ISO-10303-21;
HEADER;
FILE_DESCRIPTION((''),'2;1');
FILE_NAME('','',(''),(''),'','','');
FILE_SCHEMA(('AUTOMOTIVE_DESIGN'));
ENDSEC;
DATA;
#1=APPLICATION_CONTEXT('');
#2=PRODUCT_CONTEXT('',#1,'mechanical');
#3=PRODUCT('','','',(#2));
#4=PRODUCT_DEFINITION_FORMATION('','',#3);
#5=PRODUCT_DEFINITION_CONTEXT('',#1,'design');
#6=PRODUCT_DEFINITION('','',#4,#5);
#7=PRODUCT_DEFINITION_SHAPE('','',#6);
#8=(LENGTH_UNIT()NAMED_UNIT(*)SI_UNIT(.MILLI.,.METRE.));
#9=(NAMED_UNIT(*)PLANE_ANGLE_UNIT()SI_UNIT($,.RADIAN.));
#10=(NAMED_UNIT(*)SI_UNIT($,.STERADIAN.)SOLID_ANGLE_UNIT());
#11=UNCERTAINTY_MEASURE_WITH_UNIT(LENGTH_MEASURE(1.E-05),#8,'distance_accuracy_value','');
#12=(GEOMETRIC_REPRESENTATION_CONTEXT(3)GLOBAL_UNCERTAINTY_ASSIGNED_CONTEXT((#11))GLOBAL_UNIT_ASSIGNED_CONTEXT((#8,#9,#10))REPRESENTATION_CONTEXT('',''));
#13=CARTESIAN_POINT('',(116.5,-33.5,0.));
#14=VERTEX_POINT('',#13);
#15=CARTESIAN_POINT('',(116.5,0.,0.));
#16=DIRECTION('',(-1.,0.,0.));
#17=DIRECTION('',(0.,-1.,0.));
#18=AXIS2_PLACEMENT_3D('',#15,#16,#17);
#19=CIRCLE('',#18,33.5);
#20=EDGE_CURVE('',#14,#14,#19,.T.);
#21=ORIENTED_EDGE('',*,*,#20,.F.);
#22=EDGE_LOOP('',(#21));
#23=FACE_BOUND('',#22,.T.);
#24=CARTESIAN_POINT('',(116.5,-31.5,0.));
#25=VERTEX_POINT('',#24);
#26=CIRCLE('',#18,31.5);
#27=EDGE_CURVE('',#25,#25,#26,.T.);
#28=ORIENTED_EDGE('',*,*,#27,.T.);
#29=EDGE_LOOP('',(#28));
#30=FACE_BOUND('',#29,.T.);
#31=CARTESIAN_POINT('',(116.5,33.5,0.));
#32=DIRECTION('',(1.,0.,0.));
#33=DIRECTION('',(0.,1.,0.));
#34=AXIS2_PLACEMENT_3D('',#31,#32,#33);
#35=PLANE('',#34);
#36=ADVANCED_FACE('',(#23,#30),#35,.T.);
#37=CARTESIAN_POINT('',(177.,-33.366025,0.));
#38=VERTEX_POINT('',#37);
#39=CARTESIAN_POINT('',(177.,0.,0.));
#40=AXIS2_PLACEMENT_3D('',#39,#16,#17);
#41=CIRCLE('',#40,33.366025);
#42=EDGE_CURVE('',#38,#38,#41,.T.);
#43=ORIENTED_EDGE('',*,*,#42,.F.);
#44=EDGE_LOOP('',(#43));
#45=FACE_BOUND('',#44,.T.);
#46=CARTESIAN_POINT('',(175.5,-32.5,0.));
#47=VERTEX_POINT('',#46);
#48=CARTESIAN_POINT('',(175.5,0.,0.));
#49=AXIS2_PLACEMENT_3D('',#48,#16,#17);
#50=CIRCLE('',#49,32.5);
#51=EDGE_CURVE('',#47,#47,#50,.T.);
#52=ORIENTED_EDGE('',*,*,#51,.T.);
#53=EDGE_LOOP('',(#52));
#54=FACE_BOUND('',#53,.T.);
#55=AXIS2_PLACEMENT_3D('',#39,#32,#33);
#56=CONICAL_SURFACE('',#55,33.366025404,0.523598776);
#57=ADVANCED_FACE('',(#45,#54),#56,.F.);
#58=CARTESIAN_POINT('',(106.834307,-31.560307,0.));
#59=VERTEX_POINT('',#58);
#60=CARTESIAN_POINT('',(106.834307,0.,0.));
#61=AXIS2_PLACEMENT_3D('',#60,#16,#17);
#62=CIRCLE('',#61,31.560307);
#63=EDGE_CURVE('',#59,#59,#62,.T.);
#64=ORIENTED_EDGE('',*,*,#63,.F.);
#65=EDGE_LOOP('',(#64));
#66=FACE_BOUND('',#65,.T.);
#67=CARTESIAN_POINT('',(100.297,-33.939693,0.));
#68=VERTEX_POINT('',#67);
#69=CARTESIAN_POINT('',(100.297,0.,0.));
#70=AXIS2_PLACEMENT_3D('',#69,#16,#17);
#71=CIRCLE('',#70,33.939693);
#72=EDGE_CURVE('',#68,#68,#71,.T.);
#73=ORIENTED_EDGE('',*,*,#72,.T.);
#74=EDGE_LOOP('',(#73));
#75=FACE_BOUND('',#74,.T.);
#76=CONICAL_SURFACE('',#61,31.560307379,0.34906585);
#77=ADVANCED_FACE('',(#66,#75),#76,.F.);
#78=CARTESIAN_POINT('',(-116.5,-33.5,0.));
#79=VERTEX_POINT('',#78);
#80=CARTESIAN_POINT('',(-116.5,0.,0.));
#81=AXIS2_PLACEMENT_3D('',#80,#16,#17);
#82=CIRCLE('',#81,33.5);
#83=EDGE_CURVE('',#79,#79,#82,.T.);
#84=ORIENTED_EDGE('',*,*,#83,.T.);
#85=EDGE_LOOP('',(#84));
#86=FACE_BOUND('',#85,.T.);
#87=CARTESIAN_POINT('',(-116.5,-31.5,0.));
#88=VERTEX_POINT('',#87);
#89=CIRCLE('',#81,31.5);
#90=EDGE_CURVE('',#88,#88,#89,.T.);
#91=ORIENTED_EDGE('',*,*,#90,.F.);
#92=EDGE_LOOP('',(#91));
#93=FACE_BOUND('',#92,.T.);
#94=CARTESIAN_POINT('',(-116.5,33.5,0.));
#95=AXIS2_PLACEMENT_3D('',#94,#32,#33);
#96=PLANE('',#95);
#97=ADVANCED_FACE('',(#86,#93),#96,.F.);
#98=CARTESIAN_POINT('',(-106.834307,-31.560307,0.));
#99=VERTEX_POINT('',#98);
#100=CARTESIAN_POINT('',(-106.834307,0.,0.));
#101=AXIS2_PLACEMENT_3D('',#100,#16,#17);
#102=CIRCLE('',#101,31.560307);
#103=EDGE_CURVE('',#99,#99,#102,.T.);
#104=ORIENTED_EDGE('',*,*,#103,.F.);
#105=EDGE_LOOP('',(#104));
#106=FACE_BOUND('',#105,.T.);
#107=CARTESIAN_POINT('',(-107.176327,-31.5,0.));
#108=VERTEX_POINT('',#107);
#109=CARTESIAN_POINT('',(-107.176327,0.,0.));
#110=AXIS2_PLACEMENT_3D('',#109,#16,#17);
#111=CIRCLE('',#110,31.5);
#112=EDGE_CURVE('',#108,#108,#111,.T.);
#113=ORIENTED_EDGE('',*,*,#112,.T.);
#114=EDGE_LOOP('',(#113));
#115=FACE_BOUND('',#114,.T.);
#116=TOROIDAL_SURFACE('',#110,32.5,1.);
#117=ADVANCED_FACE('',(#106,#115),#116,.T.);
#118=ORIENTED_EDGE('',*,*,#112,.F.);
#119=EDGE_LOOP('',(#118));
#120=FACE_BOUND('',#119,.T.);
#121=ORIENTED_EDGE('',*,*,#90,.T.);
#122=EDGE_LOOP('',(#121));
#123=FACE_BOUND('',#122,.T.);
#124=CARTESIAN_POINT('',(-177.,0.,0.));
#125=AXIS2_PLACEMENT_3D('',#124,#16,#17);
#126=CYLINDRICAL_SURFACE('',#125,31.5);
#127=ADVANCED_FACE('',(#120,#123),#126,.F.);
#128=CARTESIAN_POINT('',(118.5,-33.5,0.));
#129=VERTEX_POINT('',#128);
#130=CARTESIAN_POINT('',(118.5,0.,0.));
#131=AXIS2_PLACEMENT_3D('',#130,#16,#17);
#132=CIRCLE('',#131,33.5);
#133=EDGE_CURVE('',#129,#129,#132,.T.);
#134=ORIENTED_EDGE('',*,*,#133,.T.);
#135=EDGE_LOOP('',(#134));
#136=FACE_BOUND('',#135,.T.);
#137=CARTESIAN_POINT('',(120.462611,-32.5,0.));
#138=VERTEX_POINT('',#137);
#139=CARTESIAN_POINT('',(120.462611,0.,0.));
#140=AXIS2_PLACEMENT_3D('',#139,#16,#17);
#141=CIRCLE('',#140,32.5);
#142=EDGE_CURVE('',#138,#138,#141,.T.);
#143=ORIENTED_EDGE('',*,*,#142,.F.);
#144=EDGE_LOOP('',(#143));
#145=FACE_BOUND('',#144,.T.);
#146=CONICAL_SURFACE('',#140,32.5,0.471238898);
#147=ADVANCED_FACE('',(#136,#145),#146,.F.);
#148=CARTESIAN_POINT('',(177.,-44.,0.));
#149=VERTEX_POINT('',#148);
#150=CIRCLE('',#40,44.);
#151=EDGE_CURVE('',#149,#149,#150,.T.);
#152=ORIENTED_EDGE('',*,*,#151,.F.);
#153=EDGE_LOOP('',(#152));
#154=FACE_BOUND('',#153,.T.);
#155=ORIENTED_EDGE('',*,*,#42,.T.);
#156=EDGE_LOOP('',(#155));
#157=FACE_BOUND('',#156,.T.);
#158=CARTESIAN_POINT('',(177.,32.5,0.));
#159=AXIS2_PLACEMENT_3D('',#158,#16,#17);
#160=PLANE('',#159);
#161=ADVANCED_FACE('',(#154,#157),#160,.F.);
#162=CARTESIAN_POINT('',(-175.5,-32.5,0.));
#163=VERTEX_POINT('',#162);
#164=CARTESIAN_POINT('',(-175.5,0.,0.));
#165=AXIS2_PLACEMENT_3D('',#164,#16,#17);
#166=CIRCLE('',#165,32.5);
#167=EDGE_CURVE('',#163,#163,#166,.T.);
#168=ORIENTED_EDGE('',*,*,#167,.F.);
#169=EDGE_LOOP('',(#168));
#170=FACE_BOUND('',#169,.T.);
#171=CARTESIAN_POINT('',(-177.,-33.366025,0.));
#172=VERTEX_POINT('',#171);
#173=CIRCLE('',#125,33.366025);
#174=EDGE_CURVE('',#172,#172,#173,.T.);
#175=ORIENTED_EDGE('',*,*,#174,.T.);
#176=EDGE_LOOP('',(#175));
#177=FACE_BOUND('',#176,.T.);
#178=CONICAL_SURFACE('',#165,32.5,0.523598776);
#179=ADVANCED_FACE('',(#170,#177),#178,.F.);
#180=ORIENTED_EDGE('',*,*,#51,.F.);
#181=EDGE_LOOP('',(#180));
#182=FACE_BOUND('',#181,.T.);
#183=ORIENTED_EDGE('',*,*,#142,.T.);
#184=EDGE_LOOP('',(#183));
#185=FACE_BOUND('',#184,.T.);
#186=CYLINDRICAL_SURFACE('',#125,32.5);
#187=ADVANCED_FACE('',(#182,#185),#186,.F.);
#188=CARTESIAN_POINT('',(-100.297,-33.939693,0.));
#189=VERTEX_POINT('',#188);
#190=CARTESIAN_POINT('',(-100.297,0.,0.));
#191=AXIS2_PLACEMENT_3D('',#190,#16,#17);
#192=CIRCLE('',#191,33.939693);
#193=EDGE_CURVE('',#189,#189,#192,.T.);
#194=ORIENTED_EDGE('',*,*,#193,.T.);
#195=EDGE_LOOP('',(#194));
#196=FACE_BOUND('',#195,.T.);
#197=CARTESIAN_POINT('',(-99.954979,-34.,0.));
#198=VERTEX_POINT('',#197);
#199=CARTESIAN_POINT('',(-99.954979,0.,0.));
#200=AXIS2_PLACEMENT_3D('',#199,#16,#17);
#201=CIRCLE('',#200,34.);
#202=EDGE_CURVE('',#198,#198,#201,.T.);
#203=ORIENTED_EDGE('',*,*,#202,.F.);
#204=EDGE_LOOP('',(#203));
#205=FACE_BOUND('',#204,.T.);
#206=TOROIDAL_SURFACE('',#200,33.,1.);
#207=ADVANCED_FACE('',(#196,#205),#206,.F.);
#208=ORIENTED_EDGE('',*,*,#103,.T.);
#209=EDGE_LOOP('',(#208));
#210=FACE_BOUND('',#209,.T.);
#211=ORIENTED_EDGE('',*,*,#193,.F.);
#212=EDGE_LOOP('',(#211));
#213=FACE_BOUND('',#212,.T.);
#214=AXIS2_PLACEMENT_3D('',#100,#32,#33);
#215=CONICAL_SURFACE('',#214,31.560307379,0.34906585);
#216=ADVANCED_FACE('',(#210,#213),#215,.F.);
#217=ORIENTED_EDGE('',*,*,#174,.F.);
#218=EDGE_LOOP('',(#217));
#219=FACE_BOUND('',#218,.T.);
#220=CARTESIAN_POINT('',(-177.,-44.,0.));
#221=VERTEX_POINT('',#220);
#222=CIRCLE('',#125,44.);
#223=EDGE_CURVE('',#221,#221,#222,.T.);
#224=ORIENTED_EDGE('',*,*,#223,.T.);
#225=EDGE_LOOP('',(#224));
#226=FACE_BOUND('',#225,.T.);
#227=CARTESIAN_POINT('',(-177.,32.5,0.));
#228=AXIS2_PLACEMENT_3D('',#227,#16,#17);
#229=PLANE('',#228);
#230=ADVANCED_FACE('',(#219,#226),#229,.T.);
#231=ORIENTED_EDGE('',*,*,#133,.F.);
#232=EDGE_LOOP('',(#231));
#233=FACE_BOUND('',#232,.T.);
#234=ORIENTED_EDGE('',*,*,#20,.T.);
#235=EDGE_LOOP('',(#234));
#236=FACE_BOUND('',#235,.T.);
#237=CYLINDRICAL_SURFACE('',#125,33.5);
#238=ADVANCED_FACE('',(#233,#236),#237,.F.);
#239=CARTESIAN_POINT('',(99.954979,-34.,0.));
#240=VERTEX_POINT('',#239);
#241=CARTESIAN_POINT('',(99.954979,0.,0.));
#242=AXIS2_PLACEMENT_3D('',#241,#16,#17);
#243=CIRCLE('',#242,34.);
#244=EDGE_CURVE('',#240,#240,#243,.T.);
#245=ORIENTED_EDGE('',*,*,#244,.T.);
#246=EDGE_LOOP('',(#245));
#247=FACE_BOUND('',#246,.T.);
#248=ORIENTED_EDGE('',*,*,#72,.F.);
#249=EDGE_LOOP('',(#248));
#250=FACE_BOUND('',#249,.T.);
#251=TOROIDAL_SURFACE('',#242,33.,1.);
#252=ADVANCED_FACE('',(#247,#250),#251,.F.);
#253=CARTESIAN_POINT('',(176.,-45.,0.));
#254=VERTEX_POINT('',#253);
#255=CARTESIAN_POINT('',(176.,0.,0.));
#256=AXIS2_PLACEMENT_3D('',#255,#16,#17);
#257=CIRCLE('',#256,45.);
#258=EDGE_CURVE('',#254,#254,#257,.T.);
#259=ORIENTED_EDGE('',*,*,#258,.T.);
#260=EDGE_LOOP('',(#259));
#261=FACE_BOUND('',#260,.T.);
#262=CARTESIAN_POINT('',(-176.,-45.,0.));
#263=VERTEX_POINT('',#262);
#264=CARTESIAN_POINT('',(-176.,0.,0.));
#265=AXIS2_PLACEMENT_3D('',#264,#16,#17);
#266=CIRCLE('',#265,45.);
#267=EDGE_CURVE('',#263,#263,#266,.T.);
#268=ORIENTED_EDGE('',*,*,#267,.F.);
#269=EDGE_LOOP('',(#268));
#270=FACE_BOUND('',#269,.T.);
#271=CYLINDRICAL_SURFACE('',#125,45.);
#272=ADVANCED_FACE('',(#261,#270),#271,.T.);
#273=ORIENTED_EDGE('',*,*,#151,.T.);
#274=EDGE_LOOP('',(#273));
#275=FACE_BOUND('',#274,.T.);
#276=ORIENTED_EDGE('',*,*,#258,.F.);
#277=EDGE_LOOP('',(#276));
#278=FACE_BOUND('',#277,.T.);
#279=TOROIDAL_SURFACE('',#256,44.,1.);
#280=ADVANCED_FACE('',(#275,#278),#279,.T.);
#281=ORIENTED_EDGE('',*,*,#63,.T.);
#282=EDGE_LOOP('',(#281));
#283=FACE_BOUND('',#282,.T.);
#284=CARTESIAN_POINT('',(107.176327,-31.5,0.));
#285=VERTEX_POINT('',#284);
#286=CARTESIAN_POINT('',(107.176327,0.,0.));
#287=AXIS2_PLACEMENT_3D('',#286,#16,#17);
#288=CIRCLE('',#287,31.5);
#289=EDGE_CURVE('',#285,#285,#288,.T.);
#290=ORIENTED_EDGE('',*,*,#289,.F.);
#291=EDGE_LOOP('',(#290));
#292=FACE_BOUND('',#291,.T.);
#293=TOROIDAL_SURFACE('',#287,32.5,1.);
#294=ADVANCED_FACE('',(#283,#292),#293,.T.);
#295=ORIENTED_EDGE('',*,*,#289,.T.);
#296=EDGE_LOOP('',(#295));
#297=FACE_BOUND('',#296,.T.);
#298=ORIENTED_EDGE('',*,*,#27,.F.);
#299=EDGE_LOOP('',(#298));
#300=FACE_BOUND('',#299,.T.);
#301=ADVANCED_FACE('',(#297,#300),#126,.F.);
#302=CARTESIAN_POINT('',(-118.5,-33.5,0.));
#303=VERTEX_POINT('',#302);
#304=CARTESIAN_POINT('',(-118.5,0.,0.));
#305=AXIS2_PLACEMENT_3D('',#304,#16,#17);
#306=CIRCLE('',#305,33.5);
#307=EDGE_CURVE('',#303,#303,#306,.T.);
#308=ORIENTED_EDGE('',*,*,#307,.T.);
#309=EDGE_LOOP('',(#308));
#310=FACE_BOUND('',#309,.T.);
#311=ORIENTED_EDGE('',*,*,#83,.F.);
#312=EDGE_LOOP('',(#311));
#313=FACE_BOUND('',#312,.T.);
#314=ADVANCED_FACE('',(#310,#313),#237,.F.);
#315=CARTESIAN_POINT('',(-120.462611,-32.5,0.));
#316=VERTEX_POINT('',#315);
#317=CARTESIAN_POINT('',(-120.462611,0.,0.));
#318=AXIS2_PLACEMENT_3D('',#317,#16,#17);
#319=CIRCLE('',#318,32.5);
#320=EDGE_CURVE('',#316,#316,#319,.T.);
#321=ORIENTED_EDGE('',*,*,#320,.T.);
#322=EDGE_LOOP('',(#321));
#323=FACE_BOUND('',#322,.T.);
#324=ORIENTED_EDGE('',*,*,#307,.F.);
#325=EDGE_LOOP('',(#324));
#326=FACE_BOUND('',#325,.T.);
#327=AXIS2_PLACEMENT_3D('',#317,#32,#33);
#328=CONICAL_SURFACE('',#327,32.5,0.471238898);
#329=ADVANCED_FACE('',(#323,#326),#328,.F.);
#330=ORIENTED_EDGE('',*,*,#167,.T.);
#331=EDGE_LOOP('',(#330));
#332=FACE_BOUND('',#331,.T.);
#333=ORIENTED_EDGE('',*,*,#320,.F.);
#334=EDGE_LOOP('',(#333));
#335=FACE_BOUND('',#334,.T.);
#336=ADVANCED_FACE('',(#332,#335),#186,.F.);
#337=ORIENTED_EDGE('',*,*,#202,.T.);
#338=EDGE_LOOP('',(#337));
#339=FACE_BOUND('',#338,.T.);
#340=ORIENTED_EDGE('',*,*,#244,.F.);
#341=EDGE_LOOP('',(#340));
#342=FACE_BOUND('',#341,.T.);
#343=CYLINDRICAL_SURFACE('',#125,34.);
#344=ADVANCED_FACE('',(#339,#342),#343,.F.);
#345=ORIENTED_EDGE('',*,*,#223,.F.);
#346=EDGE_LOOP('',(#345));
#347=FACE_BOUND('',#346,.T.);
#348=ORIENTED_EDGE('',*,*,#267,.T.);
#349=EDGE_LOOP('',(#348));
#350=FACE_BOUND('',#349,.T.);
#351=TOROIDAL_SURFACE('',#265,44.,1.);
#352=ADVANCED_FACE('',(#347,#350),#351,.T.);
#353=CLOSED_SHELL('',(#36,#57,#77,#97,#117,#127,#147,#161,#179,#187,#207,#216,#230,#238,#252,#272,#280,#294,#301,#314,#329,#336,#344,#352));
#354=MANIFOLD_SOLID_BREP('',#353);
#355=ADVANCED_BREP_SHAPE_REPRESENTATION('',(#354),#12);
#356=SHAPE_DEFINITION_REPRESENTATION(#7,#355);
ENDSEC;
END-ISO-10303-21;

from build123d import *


with BuildPart() as part:
    # Sketch1 → Base-Revolve (revolve)
    with BuildSketch(Plane.XY):
        with BuildLine():
            Line((-177, 32.5), (-177, 44))
            ThreePointArc((-177, 44), (-176.707106781, 44.707106781), (-176, 45))
            Line((-176, 45), (176, 45))
            ThreePointArc((176, 45), (176.707106781, 44.707106781), (177, 44))
            Line((177, 44), (177, 32.5))
            Line((177, 32.5), (120.462610506, 32.5))
            Line((120.462610506, 32.5), (118.5, 33.5))
            Line((118.5, 33.5), (116.5, 33.5))
            Line((116.5, 33.5), (116.5, 31.5))
            Line((116.5, 31.5), (107.176326981, 31.5))
            ThreePointArc((107.176326981, 31.5), (107.002678803, 31.515192247), (106.834306837, 31.560307379))
            Line((106.834306837, 31.560307379), (100.296999614, 33.939692621))
            ThreePointArc((100.296999614, 33.939692621), (100.128627648, 33.984807753), (99.954979471, 34))
            Line((99.954979471, 34), (-99.954979471, 34))
            ThreePointArc((-99.954979471, 34), (-100.128627648, 33.984807753), (-100.296999614, 33.939692621))
            Line((-100.296999614, 33.939692621), (-106.834306837, 31.560307379))
            ThreePointArc((-106.834306837, 31.560307379), (-107.002678803, 31.515192247), (-107.176326981, 31.5))
            Line((-107.176326981, 31.5), (-116.5, 31.5))
            Line((-116.5, 31.5), (-116.5, 33.5))
            Line((-116.5, 33.5), (-118.5, 33.5))
            Line((-118.5, 33.5), (-120.462610506, 32.5))
            Line((-120.462610506, 32.5), (-177, 32.5))
        make_face()
    revolve(axis=Axis((-177, 0, 0), (1, 0, 0)))

    # Sketch5 → 2.5 x 30 gr reifning (revolve, cut)
    with BuildSketch(Plane.XY):
        Polygon((177, 32.5), (177, 33.366025404), (175.5, 32.5), align=None)
        Polygon((-175.5, 32.5), (-177, 33.366025404), (-177, 32.5), align=None)
    revolve(axis=Axis((0, 0, 0), (1, 0, 0)), mode=Mode.SUBTRACT)


solid = part.part
